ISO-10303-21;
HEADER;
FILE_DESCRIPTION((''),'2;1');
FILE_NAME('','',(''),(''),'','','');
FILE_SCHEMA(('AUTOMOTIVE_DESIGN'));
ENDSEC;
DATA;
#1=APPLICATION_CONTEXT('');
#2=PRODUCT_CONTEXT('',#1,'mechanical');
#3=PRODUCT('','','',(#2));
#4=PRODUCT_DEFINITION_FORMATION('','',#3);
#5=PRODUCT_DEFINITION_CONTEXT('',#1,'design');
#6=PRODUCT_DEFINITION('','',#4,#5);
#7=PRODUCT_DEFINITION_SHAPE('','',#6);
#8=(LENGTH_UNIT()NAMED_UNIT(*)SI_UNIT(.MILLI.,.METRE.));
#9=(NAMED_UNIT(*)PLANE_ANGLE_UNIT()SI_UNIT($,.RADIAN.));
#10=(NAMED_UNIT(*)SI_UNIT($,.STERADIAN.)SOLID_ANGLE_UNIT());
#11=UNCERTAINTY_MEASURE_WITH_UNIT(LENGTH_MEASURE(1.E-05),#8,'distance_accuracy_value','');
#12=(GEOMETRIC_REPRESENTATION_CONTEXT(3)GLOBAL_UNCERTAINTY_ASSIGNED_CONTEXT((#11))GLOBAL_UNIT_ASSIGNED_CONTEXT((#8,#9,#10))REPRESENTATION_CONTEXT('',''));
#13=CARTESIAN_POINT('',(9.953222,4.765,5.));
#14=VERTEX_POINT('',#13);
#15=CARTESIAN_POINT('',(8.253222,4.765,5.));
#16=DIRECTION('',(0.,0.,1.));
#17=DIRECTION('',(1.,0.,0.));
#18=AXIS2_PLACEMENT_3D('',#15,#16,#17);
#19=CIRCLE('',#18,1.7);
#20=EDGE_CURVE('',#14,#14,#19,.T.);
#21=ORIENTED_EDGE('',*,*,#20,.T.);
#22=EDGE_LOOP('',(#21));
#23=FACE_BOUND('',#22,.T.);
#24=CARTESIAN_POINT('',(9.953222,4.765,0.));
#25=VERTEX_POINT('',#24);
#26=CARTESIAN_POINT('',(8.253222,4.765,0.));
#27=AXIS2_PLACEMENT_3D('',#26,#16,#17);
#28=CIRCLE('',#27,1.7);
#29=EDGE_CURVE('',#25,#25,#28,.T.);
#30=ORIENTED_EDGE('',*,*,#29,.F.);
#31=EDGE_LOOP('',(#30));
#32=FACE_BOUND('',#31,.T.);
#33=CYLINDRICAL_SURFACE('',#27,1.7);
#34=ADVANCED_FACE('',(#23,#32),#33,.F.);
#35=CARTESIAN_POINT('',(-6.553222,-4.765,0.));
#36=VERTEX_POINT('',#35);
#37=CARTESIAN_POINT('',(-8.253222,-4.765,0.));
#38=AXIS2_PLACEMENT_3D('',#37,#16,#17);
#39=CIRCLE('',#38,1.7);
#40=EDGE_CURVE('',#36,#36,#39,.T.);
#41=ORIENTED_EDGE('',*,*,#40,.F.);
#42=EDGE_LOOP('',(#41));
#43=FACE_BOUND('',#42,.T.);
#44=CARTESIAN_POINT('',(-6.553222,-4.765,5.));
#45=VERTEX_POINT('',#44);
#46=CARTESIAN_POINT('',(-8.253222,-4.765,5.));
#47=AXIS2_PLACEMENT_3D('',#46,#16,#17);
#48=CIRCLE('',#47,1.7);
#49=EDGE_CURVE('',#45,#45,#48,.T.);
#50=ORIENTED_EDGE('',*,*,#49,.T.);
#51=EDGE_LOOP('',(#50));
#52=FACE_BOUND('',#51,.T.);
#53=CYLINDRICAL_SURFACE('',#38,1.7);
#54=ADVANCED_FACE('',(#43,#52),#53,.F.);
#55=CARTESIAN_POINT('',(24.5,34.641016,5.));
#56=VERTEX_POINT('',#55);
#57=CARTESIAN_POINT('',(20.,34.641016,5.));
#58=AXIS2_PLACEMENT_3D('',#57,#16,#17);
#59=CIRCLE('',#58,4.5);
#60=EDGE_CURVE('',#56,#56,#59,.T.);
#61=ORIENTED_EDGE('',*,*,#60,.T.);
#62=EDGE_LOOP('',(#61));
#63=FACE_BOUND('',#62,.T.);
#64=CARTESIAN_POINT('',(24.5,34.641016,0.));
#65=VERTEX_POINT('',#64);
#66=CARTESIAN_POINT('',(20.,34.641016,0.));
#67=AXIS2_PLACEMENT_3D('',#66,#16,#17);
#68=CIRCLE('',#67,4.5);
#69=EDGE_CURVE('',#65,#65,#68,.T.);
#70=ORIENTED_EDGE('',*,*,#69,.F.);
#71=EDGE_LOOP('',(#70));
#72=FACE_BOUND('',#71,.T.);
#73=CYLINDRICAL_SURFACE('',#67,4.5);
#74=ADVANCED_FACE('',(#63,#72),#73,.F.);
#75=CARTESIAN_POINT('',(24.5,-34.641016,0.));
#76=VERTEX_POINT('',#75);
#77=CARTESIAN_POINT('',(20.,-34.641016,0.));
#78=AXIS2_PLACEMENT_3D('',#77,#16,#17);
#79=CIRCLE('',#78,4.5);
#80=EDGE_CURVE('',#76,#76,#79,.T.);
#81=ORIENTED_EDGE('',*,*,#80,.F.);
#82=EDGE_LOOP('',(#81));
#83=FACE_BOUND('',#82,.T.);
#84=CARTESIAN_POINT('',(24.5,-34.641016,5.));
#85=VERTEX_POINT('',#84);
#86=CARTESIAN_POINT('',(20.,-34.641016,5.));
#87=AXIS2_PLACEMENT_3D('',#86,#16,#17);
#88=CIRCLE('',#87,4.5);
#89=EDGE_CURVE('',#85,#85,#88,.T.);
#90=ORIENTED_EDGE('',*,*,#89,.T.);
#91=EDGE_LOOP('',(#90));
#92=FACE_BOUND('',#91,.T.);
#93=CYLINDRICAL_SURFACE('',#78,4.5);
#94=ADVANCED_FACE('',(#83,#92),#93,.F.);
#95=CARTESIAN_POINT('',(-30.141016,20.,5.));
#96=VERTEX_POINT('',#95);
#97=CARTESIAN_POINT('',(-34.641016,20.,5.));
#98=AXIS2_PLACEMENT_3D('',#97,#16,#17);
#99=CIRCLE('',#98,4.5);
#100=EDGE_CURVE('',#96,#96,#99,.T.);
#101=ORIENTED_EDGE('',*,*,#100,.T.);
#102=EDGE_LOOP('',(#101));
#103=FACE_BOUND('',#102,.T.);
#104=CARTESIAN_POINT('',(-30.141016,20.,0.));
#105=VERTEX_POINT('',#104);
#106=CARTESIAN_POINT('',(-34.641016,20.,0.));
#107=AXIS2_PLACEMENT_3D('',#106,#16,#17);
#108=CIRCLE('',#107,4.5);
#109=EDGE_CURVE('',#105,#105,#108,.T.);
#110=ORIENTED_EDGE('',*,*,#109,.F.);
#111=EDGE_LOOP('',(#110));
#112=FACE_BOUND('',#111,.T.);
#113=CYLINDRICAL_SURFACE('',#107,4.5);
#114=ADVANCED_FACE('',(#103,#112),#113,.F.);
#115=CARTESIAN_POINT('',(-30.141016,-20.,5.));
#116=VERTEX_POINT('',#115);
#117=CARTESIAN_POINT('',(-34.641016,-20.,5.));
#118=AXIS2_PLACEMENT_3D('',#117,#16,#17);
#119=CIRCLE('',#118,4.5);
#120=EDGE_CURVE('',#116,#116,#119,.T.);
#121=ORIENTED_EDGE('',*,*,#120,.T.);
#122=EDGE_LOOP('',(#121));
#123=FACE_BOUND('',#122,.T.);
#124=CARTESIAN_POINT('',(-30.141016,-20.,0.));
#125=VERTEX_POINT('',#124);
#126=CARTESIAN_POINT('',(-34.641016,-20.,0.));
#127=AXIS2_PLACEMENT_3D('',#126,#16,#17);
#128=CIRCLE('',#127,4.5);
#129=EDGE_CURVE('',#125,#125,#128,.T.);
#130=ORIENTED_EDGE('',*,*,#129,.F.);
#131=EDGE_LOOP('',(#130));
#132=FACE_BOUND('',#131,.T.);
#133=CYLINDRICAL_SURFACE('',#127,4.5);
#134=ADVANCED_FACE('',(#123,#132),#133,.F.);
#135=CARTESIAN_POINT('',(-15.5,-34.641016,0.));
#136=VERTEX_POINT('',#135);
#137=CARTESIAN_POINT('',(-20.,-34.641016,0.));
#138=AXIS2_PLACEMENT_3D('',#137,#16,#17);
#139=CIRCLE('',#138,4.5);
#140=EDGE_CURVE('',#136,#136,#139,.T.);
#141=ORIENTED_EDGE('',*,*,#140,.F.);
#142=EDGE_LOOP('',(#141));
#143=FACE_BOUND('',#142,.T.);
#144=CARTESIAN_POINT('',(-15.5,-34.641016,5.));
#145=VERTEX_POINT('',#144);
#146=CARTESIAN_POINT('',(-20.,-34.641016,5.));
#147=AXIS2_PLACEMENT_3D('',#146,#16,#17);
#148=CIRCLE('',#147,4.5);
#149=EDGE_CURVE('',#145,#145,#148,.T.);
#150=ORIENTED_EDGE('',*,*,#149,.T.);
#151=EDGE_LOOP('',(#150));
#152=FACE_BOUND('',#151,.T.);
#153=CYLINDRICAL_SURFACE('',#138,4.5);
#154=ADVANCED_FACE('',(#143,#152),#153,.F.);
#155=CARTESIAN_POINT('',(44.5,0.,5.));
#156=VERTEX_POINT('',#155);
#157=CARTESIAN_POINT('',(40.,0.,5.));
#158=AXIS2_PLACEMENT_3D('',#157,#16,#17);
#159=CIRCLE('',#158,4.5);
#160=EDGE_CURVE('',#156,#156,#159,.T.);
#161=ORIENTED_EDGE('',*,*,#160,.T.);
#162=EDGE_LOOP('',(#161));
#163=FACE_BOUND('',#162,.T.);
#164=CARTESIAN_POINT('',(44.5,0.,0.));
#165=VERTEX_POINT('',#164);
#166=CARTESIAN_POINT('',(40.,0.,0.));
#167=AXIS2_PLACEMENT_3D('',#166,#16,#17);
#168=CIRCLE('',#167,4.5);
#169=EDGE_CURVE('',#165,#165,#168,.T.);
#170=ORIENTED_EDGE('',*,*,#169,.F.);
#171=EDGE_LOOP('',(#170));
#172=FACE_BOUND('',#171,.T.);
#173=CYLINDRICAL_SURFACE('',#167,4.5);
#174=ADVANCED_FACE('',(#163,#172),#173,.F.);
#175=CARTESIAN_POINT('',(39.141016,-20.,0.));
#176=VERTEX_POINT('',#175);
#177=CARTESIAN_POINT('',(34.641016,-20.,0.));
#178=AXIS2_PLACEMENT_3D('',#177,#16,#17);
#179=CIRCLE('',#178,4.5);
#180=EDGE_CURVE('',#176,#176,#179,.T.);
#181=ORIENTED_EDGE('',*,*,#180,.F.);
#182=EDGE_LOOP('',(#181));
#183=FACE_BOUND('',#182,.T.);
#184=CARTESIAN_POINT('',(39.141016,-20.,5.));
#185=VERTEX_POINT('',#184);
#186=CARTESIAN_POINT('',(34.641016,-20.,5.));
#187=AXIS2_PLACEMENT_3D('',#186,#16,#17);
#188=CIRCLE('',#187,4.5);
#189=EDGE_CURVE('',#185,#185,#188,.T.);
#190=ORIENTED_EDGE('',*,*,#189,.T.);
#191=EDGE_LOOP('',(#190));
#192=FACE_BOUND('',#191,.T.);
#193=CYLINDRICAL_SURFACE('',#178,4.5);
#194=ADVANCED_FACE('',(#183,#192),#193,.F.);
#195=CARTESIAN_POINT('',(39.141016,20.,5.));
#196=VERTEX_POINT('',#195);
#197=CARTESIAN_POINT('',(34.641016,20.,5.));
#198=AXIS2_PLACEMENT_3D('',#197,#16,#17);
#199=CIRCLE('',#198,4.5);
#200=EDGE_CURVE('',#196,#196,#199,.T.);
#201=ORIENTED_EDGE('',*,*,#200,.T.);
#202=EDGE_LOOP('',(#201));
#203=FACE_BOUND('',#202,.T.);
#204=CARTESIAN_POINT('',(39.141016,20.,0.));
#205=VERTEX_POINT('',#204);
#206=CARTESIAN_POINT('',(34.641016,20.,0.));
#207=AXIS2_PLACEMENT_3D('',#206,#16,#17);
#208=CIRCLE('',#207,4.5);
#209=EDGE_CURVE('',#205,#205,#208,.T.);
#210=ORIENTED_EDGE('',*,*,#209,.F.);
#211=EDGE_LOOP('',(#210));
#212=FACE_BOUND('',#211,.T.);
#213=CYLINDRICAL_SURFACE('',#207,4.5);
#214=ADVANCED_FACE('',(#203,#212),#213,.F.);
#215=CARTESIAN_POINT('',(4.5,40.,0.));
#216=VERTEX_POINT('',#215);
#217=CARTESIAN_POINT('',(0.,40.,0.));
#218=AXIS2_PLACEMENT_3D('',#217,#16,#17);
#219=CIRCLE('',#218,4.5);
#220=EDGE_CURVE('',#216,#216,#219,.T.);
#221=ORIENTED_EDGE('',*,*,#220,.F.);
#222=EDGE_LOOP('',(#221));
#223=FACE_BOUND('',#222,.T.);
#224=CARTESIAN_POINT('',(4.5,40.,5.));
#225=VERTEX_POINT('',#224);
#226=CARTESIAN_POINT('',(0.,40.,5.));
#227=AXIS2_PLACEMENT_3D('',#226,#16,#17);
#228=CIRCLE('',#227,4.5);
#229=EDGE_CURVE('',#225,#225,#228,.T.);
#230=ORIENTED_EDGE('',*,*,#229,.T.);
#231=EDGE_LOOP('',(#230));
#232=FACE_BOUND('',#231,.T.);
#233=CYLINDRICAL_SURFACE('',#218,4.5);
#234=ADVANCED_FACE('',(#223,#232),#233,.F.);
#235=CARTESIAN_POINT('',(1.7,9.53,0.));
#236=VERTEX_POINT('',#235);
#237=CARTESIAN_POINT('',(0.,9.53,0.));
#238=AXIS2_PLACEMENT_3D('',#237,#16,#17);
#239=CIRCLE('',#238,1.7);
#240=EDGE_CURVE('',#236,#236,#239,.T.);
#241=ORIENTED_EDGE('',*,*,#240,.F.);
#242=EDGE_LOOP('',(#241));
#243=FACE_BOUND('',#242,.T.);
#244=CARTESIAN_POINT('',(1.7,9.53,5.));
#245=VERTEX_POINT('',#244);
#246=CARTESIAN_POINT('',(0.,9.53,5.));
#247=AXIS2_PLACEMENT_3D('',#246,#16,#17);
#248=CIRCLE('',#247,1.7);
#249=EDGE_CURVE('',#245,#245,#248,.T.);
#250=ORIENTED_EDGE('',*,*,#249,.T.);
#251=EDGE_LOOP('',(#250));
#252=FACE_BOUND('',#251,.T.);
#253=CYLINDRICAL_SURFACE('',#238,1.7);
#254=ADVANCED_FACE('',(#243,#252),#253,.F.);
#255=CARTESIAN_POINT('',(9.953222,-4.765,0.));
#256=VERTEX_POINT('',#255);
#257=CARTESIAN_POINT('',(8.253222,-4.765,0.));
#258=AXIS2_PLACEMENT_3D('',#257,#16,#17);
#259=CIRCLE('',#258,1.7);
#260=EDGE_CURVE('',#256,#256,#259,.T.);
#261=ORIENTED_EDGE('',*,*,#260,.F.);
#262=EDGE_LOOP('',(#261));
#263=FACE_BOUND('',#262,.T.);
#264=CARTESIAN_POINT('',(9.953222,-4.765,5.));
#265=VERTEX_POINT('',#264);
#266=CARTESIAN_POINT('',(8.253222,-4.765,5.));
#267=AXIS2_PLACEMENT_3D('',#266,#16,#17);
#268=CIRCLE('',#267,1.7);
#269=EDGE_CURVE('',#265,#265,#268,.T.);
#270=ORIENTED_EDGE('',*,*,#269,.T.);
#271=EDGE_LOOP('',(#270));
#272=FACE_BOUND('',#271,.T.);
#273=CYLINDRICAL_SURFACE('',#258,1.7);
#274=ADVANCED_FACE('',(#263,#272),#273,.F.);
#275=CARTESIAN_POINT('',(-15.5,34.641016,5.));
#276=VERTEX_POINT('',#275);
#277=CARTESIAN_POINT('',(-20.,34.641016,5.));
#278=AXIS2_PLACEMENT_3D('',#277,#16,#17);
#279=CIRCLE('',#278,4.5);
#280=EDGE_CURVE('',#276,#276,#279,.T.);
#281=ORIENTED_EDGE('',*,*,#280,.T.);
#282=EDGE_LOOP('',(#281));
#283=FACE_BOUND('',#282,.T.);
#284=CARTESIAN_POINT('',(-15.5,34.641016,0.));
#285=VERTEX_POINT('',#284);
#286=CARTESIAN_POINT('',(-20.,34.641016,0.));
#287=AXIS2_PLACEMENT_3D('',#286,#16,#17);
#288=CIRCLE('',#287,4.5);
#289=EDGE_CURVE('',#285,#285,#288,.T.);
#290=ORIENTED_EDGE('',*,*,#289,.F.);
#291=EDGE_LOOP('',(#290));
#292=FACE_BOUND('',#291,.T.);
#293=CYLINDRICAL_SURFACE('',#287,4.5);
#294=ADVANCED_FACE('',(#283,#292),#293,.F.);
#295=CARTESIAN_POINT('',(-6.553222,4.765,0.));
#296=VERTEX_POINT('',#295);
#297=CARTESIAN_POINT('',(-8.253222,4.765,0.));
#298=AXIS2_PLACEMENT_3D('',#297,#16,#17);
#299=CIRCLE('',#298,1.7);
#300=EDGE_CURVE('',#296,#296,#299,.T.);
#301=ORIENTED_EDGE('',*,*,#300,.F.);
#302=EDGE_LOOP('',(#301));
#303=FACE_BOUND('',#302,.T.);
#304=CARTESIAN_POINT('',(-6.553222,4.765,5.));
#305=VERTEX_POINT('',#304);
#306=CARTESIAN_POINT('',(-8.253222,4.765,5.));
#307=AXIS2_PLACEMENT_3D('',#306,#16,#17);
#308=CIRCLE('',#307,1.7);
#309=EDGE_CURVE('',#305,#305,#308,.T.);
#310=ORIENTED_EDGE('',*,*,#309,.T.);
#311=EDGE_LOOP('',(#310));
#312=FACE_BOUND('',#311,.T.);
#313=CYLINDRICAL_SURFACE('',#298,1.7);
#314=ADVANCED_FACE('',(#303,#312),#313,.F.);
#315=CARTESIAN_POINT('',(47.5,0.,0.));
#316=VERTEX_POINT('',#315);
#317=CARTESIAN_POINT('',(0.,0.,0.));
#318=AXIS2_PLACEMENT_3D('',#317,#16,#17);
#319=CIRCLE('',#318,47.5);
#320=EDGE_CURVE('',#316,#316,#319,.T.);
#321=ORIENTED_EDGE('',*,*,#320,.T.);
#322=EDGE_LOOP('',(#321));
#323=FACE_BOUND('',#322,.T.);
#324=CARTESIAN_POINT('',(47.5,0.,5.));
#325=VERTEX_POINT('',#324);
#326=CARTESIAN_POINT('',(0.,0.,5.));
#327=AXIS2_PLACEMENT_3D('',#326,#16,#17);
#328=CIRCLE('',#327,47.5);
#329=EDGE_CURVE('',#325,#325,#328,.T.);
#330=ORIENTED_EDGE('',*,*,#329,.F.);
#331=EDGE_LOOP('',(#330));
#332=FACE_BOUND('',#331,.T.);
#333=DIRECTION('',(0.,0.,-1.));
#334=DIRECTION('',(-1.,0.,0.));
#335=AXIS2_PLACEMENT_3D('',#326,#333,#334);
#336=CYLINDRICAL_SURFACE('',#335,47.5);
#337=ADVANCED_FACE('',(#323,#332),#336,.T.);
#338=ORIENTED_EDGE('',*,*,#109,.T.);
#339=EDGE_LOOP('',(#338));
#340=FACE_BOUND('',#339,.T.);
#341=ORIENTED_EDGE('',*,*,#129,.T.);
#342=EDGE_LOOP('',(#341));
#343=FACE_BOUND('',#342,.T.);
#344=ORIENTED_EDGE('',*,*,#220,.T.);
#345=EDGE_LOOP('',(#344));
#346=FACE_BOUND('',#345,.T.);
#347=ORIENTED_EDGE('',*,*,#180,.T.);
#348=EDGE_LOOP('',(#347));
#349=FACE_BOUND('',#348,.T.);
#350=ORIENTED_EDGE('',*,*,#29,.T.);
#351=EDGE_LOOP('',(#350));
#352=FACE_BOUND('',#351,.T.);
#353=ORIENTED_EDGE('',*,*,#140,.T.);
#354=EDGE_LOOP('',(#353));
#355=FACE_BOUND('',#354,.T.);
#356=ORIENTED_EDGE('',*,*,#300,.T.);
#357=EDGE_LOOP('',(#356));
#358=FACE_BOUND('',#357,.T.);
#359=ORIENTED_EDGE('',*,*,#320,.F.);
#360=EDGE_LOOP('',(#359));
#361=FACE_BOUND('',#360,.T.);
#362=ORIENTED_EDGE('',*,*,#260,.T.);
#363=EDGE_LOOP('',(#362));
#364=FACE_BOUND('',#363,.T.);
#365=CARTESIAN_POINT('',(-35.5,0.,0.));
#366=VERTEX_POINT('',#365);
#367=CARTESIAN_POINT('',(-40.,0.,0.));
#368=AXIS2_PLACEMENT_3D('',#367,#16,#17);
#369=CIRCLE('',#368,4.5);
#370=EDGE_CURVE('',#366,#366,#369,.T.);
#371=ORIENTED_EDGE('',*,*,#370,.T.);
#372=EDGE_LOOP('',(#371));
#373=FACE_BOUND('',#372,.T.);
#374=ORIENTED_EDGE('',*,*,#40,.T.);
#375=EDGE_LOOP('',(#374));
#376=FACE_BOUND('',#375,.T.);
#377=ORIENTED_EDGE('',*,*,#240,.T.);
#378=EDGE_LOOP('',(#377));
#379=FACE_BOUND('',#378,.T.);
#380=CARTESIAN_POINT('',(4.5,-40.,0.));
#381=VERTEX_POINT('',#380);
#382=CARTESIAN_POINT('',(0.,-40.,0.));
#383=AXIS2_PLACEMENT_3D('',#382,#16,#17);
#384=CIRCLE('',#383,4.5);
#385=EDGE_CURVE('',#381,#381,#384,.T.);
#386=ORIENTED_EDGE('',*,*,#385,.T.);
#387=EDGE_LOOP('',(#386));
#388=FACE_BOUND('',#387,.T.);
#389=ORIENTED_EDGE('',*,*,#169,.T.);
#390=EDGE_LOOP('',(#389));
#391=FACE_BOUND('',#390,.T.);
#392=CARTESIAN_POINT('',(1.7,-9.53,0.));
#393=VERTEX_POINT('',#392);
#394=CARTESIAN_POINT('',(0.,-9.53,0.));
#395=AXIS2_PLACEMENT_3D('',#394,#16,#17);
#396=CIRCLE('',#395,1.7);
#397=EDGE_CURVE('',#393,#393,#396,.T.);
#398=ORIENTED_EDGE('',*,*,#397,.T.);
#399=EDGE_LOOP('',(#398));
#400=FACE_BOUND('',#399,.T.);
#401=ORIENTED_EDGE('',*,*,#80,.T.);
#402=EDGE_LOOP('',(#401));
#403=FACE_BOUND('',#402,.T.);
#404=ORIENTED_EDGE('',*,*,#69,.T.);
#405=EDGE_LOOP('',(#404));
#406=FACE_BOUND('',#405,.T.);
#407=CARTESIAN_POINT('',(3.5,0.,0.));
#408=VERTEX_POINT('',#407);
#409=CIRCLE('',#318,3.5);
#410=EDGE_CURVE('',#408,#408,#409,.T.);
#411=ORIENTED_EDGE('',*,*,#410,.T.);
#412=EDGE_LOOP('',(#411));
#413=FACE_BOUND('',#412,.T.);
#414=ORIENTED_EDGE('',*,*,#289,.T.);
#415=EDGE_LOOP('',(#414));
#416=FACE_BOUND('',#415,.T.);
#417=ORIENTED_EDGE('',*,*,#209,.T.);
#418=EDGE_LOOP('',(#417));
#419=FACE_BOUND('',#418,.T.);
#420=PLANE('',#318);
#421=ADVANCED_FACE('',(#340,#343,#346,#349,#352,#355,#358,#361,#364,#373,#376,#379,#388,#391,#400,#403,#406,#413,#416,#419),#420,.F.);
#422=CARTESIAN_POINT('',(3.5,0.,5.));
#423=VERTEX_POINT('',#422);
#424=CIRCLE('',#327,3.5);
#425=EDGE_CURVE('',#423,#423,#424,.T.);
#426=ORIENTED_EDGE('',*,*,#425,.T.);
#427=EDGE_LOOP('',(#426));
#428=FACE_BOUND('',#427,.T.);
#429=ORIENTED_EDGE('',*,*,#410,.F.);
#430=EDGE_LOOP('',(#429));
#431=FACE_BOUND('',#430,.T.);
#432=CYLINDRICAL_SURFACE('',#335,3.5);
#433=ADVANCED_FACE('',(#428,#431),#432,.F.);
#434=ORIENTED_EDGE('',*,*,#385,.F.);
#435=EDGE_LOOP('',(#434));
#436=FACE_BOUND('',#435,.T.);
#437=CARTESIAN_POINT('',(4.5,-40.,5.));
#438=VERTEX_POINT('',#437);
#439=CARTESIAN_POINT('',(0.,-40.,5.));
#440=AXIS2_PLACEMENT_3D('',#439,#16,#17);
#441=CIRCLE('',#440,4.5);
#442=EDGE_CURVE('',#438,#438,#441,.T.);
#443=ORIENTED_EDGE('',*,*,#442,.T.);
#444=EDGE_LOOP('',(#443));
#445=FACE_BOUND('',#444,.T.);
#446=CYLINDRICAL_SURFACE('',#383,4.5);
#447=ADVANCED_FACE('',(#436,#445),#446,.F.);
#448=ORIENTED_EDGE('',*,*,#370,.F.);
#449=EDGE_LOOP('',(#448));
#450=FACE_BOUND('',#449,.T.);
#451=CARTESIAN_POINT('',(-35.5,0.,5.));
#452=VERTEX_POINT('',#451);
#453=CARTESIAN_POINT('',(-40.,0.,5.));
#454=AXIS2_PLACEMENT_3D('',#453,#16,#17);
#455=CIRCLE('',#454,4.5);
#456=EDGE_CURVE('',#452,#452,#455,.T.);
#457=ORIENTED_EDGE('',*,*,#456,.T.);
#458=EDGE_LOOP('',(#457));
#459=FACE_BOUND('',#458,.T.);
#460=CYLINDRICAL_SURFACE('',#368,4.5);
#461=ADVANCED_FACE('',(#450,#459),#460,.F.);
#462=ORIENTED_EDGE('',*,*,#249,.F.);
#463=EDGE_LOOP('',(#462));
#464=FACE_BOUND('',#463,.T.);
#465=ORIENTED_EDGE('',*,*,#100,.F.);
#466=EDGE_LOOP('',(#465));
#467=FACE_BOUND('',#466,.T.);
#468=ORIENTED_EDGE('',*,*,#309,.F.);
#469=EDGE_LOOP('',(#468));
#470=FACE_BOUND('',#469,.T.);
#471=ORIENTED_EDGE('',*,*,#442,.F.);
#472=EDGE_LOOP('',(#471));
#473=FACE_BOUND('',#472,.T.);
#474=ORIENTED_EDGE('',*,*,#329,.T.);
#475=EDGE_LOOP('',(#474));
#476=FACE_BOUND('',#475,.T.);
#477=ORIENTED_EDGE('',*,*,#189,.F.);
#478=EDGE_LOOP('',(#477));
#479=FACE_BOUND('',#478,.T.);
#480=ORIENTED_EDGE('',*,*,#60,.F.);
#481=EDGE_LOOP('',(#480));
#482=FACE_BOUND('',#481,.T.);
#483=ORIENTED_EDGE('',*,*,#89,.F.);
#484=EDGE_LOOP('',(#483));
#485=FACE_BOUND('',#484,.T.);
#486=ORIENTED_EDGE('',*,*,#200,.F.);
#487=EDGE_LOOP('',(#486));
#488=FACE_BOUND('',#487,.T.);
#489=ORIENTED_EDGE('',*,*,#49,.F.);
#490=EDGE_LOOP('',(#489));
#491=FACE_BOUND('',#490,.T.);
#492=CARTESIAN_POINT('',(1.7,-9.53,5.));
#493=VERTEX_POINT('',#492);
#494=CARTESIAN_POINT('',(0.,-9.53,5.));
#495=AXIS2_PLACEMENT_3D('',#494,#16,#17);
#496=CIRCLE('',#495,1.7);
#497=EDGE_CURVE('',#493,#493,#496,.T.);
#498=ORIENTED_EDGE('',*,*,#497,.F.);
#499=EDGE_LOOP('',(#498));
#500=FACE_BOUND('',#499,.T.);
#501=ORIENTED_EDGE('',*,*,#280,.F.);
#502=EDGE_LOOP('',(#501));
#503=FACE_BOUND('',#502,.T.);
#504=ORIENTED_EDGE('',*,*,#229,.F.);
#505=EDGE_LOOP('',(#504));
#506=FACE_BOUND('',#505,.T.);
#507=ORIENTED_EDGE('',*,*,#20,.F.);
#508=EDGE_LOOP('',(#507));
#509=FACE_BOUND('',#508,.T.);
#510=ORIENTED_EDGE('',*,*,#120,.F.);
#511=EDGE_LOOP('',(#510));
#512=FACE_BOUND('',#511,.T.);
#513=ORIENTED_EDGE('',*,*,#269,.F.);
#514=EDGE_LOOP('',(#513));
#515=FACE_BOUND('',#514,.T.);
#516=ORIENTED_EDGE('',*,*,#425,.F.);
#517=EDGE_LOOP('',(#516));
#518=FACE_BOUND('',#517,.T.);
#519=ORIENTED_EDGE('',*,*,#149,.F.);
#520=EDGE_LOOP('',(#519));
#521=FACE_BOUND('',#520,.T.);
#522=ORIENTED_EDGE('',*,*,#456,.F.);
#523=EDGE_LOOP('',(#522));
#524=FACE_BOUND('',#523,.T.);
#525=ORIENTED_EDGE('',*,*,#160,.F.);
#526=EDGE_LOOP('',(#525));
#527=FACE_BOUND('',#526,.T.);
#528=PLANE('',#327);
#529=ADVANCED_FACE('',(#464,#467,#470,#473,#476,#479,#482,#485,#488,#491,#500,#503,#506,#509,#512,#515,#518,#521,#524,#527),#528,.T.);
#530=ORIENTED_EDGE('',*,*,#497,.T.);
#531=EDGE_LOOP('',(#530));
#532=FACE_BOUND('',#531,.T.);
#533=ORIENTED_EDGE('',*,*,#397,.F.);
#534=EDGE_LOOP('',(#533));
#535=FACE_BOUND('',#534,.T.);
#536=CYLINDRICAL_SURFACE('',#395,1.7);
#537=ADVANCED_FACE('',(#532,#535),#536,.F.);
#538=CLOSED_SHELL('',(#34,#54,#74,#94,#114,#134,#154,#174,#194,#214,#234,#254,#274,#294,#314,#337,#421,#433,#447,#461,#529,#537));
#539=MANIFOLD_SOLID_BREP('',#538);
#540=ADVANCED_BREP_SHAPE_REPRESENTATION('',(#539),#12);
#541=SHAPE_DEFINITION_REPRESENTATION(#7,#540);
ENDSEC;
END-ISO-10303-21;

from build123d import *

# Parameters (mm, degrees)
SKETCH6_R           = 47.5
SKETCH6_R_2         = 3.5
BOSS_EXTRUDE1_DEPTH = 5
SKETCH7_R           = 1.7
SKETCH7_R_2         = 4.5
CUT_EXTRUDE3_DEPTH  = 5


with BuildPart() as part:
    # Sketch6 → Boss-Extrude1 (new body)
    with BuildSketch(Plane.XY):
        Circle(SKETCH6_R)
        Circle(SKETCH6_R_2, mode=Mode.SUBTRACT)
    extrude(amount=BOSS_EXTRUDE1_DEPTH)

    # Sketch7 → Cut-Extrude3 (cut)
    with BuildSketch(Plane.XY.offset(5)):
        with Locations((0, 9.53)):
            Circle(SKETCH7_R)
        with Locations((0, 40)):
            Circle(SKETCH7_R_2)
        with Locations((8.253222098, 4.765)):
            Circle(SKETCH7_R)
        with Locations((8.253222098, -4.765)):
            Circle(SKETCH7_R)
        with Locations((0, -9.53)):
            Circle(SKETCH7_R)
        with Locations((-8.253222098, -4.765)):
            Circle(SKETCH7_R)
        with Locations((-8.253222098, 4.765)):
            Circle(SKETCH7_R)
        with Locations((20, 34.641016151)):
            Circle(SKETCH7_R_2)
        with Locations((34.641016151, 20)):
            Circle(SKETCH7_R_2)
        with Locations((40, 0)):
            Circle(SKETCH7_R_2)
        with Locations((34.641016151, -20)):
            Circle(SKETCH7_R_2)
        with Locations((20, -34.641016151)):
            Circle(SKETCH7_R_2)
        with Locations((0, -40)):
            Circle(SKETCH7_R_2)
        with Locations((-20, -34.641016151)):
            Circle(SKETCH7_R_2)
        with Locations((-34.641016151, -20)):
            Circle(SKETCH7_R_2)
        with Locations((-40, 0)):
            Circle(SKETCH7_R_2)
        with Locations((-34.641016151, 20)):
            Circle(SKETCH7_R_2)
        with Locations((-20, 34.641016151)):
            Circle(SKETCH7_R_2)
    extrude(amount=-CUT_EXTRUDE3_DEPTH, mode=Mode.SUBTRACT)


solid = part.part
